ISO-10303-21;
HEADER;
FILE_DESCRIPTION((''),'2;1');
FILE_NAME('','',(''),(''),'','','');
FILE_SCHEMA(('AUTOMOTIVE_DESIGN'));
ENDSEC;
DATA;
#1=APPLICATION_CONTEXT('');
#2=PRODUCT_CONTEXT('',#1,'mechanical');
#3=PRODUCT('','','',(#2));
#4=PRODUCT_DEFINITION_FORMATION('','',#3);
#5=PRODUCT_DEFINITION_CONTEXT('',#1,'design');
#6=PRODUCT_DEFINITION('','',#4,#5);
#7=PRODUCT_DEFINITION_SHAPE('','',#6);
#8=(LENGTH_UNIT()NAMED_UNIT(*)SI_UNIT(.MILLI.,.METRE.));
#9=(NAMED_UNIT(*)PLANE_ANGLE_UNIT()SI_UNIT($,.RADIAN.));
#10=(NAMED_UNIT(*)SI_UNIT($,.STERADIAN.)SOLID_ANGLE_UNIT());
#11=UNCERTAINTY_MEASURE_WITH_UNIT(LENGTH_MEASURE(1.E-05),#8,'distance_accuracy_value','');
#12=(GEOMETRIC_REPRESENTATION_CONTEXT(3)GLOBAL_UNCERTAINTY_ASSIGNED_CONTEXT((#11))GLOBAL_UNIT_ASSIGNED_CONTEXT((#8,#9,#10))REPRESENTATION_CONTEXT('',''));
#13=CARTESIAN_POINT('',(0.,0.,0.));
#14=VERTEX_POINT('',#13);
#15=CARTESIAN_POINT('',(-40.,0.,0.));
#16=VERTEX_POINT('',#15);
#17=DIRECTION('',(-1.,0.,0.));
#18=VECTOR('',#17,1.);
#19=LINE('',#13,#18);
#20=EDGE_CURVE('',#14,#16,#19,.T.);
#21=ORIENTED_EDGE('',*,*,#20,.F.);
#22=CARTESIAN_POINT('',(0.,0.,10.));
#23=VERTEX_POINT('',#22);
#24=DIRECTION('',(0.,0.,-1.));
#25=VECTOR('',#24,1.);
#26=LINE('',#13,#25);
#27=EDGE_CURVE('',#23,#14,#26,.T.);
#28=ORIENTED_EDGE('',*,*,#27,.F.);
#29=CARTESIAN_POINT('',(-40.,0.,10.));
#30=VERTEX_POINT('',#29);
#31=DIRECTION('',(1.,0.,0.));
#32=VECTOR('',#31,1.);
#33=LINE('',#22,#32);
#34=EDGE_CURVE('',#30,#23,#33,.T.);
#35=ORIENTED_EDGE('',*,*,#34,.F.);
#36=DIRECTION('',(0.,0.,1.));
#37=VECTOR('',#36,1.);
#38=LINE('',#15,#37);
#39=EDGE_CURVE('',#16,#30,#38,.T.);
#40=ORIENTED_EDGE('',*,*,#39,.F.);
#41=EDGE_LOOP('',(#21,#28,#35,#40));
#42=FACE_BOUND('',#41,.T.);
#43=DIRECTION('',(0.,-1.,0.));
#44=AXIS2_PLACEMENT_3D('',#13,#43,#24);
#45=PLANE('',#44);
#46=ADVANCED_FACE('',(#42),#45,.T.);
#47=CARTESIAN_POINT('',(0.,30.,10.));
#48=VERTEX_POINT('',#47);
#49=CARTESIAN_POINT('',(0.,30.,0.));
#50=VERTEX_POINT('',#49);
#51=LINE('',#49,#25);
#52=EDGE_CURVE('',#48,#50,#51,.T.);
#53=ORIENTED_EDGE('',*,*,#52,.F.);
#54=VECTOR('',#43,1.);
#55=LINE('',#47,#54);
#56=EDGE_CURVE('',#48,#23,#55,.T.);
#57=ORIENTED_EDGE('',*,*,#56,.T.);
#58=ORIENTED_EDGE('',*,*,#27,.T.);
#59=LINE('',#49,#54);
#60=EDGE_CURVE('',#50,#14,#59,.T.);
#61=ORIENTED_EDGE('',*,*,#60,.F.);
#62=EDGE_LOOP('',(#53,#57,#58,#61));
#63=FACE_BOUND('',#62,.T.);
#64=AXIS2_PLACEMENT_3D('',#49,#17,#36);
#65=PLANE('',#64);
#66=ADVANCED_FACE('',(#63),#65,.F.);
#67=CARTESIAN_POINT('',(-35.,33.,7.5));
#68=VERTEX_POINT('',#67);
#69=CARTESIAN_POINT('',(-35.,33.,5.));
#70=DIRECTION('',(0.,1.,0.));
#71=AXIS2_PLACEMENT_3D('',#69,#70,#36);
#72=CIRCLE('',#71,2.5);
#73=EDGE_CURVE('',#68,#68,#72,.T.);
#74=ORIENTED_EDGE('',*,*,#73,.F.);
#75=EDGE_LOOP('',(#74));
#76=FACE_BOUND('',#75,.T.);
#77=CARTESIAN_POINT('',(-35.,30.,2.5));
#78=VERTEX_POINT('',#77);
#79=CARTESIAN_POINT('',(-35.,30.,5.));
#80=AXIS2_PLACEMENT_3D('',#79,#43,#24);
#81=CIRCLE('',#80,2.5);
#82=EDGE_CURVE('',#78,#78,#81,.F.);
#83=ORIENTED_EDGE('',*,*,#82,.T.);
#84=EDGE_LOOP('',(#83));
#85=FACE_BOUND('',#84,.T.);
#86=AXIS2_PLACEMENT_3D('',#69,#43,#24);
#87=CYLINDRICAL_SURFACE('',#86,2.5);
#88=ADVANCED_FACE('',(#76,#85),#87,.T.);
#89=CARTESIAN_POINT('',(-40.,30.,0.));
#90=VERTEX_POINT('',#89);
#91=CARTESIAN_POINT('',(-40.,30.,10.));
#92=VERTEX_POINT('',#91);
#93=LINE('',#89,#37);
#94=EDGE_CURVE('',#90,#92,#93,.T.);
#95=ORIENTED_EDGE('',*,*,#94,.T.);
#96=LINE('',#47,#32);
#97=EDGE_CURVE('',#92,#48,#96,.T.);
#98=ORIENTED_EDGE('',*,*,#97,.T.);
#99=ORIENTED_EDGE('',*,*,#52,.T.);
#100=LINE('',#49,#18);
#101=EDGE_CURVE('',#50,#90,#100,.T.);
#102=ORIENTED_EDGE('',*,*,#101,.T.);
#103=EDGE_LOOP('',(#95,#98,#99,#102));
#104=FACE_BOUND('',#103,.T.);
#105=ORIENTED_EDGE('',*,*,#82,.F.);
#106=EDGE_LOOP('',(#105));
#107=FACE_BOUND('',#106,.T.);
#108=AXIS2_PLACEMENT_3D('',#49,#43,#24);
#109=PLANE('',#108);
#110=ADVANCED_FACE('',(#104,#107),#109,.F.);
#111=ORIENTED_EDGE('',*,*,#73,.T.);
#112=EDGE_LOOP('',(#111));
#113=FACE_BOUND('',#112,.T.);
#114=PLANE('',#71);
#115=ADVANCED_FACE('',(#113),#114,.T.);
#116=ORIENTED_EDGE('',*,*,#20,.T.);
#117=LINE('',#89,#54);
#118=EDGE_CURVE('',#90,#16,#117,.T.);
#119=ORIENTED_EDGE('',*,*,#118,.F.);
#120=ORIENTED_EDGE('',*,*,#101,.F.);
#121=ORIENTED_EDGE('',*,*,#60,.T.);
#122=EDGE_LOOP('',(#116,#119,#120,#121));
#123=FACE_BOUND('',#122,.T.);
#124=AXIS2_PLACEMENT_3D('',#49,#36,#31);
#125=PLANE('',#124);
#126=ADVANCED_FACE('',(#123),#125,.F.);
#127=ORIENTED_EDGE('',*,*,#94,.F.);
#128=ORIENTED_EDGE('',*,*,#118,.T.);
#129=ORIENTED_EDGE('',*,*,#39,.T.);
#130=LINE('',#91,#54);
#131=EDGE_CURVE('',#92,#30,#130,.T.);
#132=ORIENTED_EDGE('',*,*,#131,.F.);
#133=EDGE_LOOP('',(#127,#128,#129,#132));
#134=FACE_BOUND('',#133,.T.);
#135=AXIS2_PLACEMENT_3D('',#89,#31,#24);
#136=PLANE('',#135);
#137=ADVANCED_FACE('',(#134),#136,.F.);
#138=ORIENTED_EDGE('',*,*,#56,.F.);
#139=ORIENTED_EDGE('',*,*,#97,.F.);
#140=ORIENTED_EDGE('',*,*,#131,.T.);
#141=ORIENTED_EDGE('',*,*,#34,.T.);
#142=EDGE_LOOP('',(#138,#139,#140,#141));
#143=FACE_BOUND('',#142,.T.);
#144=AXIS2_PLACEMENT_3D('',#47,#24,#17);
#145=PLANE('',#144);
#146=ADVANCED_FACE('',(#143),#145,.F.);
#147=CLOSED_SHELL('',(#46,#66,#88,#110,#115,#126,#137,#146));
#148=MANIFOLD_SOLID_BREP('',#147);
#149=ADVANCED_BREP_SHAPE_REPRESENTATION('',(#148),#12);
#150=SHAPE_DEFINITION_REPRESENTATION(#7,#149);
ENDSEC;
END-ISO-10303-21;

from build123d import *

# Parameters (mm, degrees)
ESQUISSE1_W        = 40
ESQUISSE1_H        = 10
BOSS_EXTRU_1_DEPTH = 30
ESQUISSE2_R        = 2.5
BOSS_EXTRU_2_DEPTH = 3


with BuildPart() as part:
    # Esquisse1 → Boss.-Extru.1 (new body)
    with BuildSketch(Plane(origin=(0, 0, 0), x_dir=(1, 0, 0), z_dir=(0, 1, 0))):
        with Locations((-20, -5)):
            Rectangle(ESQUISSE1_W, ESQUISSE1_H)
    extrude(amount=BOSS_EXTRU_1_DEPTH)

    # Esquisse2 → Boss.-Extru.2 (add)
    with BuildSketch(Plane(origin=(0, 30, 0), x_dir=(1, 0, 0), z_dir=(0, 1, 0))):
        with Locations(Location((-35, -5, 0), (0, 0, 90))):
            Circle(ESQUISSE2_R)
    extrude(amount=BOSS_EXTRU_2_DEPTH)


solid = part.part
